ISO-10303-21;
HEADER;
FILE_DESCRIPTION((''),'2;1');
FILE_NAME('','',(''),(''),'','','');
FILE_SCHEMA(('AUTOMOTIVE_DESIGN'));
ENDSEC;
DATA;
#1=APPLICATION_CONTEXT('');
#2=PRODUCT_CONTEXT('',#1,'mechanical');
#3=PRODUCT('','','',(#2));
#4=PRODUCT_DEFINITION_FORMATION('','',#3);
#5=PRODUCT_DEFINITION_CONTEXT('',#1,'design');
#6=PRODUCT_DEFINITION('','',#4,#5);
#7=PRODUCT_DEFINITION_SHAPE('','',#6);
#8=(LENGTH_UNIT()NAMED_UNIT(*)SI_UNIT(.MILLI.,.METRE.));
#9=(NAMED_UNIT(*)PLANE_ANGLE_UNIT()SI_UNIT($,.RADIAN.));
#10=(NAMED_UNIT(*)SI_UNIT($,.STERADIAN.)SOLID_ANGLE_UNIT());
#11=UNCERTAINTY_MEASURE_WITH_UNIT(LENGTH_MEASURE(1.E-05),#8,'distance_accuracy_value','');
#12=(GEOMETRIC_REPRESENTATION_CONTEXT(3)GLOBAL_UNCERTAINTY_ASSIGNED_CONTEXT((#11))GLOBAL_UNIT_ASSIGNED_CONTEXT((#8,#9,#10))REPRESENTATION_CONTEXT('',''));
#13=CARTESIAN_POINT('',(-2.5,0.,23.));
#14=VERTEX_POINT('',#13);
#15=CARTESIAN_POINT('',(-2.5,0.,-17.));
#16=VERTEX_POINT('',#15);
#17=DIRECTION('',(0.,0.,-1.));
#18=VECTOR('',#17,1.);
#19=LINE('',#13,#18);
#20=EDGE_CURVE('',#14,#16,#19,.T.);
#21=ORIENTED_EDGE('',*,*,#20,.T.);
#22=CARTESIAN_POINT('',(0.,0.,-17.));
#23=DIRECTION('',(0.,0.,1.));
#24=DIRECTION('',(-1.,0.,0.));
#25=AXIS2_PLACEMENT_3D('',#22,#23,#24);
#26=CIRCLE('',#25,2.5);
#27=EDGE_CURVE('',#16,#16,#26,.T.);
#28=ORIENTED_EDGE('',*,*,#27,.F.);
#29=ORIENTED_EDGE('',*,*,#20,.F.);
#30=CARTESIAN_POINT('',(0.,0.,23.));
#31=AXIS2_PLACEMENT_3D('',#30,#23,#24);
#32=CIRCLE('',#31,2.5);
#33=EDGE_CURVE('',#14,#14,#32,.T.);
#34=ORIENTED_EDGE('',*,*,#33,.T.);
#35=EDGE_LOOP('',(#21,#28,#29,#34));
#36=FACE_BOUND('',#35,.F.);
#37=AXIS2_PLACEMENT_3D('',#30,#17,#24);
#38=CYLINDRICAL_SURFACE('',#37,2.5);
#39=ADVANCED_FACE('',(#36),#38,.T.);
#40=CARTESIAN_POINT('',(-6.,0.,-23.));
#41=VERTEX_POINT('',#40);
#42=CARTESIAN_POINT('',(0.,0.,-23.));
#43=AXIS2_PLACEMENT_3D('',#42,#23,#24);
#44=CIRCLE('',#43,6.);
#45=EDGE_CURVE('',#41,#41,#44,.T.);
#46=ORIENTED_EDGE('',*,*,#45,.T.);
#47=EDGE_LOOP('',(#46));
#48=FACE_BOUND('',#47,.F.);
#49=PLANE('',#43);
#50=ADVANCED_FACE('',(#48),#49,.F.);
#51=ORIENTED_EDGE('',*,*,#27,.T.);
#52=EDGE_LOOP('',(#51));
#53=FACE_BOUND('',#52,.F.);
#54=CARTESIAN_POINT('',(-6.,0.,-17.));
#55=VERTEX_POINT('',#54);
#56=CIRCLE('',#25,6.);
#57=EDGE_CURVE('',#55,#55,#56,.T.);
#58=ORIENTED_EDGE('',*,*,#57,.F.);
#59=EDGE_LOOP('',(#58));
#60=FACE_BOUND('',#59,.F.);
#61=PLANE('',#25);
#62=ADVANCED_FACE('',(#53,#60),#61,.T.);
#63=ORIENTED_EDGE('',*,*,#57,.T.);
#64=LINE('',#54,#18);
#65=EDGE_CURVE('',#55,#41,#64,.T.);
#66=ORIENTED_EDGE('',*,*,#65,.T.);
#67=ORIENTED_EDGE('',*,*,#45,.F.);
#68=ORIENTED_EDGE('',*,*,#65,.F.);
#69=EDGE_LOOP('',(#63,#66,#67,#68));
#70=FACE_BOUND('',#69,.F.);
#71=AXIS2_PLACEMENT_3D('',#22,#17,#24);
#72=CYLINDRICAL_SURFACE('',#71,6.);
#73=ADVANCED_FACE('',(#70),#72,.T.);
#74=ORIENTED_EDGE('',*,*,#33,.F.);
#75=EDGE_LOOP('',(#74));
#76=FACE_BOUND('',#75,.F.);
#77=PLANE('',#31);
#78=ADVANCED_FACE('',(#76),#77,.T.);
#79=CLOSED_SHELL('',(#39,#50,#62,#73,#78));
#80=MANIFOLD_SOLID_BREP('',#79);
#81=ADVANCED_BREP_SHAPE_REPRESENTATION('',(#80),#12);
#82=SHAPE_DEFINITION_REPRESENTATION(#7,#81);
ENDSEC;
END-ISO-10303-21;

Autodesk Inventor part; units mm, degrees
ref_plane "YZ Plane" through (0, 0, 0) normal (1, 0, 0) x (0, 1, 0)
ref_plane "XZ Plane" through (0, 0, 0) normal (0, 1, 0) x (-1, 0, 0)
ref_plane "XY Plane" through (0, 0, 0) normal (0, 0, 1) x (1, 0, 0)
sketch "Sketch1" plane through (0, 0, 0) normal (0, 1, 0) x (-1, 0, 0)
  line L0 (0, 23) -> (2.5, 23)
  line L1 (2.5, 23) -> (2.5, -17)
  line L2 (2.5, -17) -> (6, -17)
  line L3 (6, -17) -> (6, -23)
  line L4 (6, -23) -> (0, -23)
  line L5 (0, -23) -> (0, 23)
  point P0 (0, 0)
  point P1 (0, 0)
  dimension "d0" = 2.5
  dimension "d1" = 40
  dimension "d2" = 6
  dimension "d3" = 6
revolve "Revolution1" add sketch "Sketch1" angle 360 about axis through (0, 0, -23) along (0, 0, 1)
thread "Thread1" size "M5x0.8" class "6g" standard "ANSI Metric M Profile" full length
properties part number "M5x40mm"
